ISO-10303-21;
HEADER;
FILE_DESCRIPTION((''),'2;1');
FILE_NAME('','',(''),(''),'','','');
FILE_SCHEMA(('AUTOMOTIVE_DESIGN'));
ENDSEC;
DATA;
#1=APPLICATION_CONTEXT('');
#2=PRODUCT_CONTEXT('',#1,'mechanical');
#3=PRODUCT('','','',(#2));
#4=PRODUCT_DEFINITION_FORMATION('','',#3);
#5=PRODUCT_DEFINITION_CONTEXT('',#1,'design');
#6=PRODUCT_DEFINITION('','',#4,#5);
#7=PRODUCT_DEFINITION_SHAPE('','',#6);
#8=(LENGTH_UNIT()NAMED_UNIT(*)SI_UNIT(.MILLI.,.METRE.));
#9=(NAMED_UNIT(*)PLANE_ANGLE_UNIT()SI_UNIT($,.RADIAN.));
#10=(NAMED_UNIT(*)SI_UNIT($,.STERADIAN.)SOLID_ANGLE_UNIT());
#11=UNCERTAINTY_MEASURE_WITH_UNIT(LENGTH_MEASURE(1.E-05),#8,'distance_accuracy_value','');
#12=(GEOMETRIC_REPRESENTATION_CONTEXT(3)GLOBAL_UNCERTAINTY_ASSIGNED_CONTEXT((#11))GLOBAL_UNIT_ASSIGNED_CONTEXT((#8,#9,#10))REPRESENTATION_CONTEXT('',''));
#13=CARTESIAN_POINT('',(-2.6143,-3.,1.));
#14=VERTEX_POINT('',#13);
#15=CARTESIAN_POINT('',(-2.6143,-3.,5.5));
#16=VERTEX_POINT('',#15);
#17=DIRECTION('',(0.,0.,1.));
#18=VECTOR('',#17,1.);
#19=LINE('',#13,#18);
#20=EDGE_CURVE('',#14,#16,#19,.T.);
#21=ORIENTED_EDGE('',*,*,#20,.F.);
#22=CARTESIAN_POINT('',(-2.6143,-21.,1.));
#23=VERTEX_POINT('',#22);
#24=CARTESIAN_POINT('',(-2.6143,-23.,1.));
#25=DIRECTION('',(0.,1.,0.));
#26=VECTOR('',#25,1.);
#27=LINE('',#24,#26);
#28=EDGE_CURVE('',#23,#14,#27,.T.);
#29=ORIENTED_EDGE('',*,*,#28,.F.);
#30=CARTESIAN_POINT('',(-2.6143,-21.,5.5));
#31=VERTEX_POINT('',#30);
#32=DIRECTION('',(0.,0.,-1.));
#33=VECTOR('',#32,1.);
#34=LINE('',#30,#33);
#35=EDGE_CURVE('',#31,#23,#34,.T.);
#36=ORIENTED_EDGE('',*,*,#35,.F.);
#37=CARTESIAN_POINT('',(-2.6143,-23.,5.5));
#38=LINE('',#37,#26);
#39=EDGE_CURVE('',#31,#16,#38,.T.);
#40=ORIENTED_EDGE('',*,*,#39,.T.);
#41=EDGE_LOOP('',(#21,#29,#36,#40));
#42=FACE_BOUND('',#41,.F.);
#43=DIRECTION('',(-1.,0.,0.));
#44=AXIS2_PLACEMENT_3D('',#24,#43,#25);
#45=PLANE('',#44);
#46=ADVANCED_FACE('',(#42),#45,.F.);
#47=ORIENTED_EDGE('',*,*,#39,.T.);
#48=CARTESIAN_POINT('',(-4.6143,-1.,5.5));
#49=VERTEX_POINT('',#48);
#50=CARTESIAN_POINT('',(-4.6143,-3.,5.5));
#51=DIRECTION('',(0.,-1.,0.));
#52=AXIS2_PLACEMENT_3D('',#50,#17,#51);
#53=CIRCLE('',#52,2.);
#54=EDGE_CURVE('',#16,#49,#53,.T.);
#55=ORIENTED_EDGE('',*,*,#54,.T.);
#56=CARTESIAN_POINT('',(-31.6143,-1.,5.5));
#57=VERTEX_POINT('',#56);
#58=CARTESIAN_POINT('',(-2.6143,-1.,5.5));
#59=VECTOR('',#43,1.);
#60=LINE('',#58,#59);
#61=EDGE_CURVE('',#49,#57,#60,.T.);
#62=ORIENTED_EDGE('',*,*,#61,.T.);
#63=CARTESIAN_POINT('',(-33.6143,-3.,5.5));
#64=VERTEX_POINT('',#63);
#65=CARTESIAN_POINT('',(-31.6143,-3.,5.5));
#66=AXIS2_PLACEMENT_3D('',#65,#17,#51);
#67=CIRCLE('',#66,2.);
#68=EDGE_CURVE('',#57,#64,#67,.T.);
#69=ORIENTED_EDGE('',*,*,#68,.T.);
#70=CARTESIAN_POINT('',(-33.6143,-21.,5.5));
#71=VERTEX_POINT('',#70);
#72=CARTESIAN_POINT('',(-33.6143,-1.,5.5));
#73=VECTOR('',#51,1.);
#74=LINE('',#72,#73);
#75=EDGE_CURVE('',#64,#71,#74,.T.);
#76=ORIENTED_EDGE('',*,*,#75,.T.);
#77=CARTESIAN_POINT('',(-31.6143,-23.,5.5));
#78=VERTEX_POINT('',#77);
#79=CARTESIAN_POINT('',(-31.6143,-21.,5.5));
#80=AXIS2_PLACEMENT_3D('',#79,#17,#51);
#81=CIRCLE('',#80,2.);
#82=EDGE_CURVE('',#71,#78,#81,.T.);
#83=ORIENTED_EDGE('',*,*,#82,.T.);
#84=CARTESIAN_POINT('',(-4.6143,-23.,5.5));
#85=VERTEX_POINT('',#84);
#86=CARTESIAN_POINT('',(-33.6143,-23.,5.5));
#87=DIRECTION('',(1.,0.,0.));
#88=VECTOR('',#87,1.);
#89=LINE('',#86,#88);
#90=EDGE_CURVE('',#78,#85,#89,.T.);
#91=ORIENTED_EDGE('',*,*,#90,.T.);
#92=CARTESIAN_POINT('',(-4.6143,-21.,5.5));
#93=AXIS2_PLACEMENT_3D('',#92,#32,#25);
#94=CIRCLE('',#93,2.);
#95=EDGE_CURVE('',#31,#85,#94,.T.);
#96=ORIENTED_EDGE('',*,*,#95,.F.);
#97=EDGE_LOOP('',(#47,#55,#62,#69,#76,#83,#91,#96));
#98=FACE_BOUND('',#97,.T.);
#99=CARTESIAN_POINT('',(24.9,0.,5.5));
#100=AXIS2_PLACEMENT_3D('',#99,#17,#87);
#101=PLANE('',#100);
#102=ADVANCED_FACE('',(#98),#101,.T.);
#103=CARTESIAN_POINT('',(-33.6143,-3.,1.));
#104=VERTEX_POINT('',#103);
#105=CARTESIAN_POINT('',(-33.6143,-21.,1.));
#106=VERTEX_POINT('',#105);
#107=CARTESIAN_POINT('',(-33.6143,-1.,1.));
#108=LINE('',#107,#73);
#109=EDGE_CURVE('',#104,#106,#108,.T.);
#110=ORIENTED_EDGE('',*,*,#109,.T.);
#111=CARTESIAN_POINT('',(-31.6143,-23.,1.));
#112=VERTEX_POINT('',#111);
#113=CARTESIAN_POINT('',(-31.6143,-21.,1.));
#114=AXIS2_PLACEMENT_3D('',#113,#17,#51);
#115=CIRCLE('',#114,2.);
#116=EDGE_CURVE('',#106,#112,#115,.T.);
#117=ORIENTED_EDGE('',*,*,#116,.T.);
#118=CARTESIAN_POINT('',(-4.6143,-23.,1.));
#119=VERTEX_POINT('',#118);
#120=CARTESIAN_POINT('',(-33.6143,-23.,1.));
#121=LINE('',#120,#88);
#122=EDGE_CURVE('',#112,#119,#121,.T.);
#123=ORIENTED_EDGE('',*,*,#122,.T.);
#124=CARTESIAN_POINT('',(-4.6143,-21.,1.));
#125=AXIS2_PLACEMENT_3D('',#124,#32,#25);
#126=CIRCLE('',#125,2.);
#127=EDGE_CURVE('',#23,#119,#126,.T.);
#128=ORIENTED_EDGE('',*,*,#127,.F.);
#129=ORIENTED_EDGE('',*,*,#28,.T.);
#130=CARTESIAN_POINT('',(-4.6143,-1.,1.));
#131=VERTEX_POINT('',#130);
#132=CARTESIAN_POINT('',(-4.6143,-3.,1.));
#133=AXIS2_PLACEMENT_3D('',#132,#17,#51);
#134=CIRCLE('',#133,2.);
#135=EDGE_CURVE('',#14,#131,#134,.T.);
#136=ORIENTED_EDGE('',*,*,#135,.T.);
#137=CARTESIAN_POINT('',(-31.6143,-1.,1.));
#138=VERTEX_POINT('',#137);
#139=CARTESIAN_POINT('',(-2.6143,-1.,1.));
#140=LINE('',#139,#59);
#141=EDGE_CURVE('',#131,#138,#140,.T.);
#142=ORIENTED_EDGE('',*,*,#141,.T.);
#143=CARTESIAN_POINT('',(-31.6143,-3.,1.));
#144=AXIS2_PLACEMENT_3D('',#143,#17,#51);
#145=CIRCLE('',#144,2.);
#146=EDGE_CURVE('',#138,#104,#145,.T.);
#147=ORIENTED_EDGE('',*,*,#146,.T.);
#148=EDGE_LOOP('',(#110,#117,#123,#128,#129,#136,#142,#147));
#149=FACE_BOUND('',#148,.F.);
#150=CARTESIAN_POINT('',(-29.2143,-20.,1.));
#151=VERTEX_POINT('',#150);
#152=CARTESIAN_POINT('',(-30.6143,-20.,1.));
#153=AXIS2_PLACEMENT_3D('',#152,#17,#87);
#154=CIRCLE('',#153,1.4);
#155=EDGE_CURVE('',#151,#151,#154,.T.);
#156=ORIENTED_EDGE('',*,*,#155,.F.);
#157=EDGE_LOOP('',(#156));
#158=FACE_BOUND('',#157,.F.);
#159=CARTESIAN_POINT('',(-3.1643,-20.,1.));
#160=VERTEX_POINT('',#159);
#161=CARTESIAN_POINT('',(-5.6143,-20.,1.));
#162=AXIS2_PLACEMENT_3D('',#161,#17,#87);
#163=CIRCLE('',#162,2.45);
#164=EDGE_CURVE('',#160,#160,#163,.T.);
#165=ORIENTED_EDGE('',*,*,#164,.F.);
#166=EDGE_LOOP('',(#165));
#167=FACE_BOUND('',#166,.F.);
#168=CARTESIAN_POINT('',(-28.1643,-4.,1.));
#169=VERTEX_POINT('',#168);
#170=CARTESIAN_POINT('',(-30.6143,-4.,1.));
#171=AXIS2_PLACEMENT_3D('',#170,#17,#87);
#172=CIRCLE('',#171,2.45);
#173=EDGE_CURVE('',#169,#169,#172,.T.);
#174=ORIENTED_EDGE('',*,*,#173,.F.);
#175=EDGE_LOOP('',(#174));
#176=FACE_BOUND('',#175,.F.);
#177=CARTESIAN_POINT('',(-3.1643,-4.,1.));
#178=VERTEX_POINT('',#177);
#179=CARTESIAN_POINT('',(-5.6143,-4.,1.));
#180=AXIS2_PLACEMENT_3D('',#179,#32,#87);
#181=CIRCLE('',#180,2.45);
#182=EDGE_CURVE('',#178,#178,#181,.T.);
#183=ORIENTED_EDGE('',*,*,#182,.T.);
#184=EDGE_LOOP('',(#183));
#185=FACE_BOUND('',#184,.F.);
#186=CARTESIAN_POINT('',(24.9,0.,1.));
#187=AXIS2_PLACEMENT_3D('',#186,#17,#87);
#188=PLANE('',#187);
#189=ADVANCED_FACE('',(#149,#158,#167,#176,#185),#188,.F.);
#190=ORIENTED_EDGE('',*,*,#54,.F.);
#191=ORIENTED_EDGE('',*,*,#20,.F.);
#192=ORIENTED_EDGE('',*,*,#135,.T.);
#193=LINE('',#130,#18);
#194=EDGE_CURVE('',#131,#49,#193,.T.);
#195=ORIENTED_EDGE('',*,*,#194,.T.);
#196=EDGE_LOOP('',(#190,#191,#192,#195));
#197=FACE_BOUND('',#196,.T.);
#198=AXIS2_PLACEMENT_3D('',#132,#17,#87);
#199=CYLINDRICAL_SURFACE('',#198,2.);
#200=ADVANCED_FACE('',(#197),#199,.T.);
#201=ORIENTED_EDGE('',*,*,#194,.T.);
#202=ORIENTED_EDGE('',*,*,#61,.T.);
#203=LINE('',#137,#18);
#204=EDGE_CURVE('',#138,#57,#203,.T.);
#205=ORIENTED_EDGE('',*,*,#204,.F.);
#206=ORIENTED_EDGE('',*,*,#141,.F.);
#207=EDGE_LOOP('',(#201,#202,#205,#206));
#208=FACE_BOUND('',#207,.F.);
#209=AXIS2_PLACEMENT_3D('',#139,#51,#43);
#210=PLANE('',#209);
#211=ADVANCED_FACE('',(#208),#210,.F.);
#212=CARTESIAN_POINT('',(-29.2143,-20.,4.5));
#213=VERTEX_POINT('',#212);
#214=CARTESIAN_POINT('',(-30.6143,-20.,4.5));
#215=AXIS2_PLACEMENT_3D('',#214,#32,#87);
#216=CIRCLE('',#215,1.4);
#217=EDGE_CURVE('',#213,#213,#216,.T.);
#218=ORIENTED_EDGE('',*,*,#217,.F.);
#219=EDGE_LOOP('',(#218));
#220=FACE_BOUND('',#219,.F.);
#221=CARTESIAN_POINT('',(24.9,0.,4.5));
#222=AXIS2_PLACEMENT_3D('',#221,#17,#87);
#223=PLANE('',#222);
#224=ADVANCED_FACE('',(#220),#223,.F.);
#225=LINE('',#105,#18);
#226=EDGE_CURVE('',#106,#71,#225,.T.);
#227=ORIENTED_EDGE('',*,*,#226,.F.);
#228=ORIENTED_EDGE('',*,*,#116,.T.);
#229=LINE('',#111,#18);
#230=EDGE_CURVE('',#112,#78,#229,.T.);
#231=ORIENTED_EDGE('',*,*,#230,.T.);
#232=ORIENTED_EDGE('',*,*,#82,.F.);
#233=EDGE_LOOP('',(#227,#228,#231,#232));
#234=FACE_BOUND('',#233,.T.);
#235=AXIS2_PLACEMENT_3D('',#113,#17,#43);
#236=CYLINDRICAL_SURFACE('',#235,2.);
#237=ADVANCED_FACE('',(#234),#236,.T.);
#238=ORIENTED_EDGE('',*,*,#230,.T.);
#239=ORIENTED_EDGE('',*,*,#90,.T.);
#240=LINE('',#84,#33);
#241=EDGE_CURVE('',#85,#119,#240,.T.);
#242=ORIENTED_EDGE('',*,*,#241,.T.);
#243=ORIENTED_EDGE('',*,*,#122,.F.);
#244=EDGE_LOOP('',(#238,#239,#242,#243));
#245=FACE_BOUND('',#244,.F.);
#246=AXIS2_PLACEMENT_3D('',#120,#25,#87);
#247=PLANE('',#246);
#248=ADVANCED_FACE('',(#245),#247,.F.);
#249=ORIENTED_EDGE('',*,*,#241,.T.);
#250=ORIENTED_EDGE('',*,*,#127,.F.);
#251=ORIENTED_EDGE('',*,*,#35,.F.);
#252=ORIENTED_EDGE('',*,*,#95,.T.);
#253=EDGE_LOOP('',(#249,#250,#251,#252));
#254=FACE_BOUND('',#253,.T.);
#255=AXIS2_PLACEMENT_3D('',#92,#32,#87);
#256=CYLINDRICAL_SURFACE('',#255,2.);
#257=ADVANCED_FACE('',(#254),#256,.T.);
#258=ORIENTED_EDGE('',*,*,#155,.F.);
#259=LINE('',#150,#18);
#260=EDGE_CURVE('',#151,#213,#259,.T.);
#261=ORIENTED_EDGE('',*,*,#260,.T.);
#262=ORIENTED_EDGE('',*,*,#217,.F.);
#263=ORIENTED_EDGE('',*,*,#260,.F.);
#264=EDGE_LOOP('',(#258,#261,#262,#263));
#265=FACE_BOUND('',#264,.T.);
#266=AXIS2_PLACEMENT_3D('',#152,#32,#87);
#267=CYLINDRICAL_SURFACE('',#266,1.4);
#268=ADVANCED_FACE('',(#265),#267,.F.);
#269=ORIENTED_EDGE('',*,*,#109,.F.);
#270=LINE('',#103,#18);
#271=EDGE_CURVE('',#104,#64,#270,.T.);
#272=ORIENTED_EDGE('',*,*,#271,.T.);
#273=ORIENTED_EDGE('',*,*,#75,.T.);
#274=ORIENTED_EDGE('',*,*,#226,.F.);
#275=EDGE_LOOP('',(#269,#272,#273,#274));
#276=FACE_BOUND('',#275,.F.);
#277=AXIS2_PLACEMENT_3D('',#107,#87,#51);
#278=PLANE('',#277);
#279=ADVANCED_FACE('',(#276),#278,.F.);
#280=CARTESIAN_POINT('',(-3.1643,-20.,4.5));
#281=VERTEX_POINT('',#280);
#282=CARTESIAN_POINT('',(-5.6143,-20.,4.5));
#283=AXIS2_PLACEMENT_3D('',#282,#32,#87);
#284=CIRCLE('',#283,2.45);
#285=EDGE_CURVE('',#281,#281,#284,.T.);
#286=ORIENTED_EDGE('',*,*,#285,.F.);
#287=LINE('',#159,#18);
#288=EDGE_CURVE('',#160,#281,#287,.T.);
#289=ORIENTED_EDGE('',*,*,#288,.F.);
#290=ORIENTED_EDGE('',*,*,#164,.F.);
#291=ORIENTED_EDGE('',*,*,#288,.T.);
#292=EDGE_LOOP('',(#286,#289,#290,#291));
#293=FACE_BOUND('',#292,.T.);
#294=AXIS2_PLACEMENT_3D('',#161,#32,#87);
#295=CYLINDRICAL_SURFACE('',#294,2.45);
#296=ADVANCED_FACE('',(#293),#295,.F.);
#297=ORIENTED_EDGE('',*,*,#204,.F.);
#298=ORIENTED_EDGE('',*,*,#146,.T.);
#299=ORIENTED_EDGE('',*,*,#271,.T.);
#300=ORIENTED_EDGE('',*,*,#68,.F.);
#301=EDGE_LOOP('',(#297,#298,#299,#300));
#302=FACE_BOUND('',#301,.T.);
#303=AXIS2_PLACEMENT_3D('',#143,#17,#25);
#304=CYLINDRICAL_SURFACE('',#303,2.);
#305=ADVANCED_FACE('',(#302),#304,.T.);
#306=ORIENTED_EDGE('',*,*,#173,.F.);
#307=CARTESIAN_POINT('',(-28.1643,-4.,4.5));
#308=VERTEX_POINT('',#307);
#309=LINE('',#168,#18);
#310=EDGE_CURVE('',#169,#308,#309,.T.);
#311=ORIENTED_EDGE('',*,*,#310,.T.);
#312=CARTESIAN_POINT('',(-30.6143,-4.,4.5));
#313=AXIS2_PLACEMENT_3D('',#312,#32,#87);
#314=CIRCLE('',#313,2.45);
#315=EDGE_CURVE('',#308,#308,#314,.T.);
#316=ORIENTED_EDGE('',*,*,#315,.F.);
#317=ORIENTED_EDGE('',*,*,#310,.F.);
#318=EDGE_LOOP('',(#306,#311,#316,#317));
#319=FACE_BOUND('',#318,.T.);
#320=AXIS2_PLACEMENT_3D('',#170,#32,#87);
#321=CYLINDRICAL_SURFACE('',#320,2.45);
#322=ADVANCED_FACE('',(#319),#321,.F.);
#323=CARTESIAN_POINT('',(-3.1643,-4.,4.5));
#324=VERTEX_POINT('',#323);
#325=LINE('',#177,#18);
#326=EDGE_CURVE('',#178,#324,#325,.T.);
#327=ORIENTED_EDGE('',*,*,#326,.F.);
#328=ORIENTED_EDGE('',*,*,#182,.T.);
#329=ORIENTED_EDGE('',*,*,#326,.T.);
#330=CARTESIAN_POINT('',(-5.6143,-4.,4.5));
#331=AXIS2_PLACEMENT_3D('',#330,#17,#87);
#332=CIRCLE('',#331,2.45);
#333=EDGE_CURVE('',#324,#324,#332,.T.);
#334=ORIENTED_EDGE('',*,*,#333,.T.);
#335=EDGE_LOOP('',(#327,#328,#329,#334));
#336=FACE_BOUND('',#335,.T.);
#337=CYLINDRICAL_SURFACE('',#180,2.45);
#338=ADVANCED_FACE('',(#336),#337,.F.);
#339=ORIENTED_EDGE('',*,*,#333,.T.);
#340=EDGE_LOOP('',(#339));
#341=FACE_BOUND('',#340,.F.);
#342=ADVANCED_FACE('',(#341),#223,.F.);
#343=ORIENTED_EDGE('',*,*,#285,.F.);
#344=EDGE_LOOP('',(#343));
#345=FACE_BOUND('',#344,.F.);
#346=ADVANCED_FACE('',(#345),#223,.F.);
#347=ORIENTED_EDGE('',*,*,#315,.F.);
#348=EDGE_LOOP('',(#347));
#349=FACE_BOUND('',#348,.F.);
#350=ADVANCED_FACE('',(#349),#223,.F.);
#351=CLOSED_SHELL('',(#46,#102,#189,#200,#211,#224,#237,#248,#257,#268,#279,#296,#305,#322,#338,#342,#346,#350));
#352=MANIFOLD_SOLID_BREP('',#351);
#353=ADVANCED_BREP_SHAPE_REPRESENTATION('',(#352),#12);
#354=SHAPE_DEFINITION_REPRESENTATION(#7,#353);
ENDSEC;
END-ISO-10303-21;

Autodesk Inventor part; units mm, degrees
ref_plane "YZ Plane" through (0, 0, 0) normal (1, 0, 0) x (0, 1, 0)
ref_plane "XZ Plane" through (0, 0, 0) normal (0, 1, 0) x (-1, 0, 0)
ref_plane "XY Plane" through (0, 0, 0) normal (0, 0, 1) x (1, 0, 0)
ref_plane "Work Plane1" through (24.9, 0, 1) normal (0, 0, 1) x (1, 0, 0)
sketch "Sketch1" plane through (24.9, 0, 1) normal (0, 0, 1) x (1, 0, 0)
  circle A0 centre (-55.5143, -4) radius 2.45
  circle A1 centre (-30.5143, -4) radius 2.45
  circle A2 centre (-30.5143, -20) radius 2.45
  line L0 (-55.5143, -4) -> (-30.5143, -4)
  line L1 (-30.5143, -4) -> (-30.5143, -20)
  line L2 (-30.5143, -20) -> (-55.5143, -20)
  line L3 (-55.5143, -20) -> (-55.5143, -4)
  line L4 (-27.5143, -1) -> (-58.5143, -1)
  line L5 (-58.5143, -1) -> (-58.5143, -23)
  line L6 (-58.5143, -23) -> (-27.5143, -23)
  line L7 (-27.5143, -23) -> (-27.5143, -1)
  circle A3 centre (-55.5143, -4) radius 1.4 projected
  circle A4 centre (-30.5143, -4) radius 1.4 projected
  circle A5 centre (-30.5143, -20) radius 1.4 projected
  circle A6 centre (-55.5143, -20) radius 1.4 projected
  dimension "d0" = 4.9
  dimension "d1" = 4.9
  dimension "d2" = 4.9
  dimension "d3" = 3
extrude "Extrusion1" add sketch "Sketch1" along normal blind 3.5 contours L0 A1 L1 A2 L2 A6 L3 A0 | L7 L6 L5 L4
sketch "Sketch2" plane through (24.9, 0, 4.5) normal (0, 0, 1) x (1, 0, 0)
  circle A0 centre (-30.5143, -4) radius 2.45 projected
  circle A1 centre (-30.5143, -20) radius 2.45 projected
  circle A2 centre (-55.5143, -4) radius 2.45 projected
  line L0 (-58.5143, -1) -> (-58.5143, -23) projected
  line L1 (-58.5143, -23) -> (-27.5143, -23) projected
  line L2 (-27.5143, -23) -> (-27.5143, -1) projected
  line L3 (-27.5143, -1) -> (-58.5143, -1) projected
  circle A3 centre (-55.5143, -20) radius 1.4 projected
  circle A4 centre (-30.5143, -20) radius 2.45 projected
  circle A5 centre (-30.5143, -4) radius 2.45 projected
  circle A6 centre (-55.5143, -4) radius 2.45 projected
  point P0 (-24.9, 0)
extrude "Extrusion2" add sketch "Sketch2" along normal blind 1 contours A0 | A1 | A2 | L3 L2 L1 L0 | A3
fillet "Fillet1" radius 2 4 edges at (-33.6143, -23, 3.25) (-2.6143, -23, 3.25) (-33.6143, -1, 3.25) (-2.6143, -1, 3.25)
equation "\"d1\" = d0"
equation "\"d2\" = d0"
properties part number "20_Cube_4_insert_Lens_kinematic_mirrormount_plate"
